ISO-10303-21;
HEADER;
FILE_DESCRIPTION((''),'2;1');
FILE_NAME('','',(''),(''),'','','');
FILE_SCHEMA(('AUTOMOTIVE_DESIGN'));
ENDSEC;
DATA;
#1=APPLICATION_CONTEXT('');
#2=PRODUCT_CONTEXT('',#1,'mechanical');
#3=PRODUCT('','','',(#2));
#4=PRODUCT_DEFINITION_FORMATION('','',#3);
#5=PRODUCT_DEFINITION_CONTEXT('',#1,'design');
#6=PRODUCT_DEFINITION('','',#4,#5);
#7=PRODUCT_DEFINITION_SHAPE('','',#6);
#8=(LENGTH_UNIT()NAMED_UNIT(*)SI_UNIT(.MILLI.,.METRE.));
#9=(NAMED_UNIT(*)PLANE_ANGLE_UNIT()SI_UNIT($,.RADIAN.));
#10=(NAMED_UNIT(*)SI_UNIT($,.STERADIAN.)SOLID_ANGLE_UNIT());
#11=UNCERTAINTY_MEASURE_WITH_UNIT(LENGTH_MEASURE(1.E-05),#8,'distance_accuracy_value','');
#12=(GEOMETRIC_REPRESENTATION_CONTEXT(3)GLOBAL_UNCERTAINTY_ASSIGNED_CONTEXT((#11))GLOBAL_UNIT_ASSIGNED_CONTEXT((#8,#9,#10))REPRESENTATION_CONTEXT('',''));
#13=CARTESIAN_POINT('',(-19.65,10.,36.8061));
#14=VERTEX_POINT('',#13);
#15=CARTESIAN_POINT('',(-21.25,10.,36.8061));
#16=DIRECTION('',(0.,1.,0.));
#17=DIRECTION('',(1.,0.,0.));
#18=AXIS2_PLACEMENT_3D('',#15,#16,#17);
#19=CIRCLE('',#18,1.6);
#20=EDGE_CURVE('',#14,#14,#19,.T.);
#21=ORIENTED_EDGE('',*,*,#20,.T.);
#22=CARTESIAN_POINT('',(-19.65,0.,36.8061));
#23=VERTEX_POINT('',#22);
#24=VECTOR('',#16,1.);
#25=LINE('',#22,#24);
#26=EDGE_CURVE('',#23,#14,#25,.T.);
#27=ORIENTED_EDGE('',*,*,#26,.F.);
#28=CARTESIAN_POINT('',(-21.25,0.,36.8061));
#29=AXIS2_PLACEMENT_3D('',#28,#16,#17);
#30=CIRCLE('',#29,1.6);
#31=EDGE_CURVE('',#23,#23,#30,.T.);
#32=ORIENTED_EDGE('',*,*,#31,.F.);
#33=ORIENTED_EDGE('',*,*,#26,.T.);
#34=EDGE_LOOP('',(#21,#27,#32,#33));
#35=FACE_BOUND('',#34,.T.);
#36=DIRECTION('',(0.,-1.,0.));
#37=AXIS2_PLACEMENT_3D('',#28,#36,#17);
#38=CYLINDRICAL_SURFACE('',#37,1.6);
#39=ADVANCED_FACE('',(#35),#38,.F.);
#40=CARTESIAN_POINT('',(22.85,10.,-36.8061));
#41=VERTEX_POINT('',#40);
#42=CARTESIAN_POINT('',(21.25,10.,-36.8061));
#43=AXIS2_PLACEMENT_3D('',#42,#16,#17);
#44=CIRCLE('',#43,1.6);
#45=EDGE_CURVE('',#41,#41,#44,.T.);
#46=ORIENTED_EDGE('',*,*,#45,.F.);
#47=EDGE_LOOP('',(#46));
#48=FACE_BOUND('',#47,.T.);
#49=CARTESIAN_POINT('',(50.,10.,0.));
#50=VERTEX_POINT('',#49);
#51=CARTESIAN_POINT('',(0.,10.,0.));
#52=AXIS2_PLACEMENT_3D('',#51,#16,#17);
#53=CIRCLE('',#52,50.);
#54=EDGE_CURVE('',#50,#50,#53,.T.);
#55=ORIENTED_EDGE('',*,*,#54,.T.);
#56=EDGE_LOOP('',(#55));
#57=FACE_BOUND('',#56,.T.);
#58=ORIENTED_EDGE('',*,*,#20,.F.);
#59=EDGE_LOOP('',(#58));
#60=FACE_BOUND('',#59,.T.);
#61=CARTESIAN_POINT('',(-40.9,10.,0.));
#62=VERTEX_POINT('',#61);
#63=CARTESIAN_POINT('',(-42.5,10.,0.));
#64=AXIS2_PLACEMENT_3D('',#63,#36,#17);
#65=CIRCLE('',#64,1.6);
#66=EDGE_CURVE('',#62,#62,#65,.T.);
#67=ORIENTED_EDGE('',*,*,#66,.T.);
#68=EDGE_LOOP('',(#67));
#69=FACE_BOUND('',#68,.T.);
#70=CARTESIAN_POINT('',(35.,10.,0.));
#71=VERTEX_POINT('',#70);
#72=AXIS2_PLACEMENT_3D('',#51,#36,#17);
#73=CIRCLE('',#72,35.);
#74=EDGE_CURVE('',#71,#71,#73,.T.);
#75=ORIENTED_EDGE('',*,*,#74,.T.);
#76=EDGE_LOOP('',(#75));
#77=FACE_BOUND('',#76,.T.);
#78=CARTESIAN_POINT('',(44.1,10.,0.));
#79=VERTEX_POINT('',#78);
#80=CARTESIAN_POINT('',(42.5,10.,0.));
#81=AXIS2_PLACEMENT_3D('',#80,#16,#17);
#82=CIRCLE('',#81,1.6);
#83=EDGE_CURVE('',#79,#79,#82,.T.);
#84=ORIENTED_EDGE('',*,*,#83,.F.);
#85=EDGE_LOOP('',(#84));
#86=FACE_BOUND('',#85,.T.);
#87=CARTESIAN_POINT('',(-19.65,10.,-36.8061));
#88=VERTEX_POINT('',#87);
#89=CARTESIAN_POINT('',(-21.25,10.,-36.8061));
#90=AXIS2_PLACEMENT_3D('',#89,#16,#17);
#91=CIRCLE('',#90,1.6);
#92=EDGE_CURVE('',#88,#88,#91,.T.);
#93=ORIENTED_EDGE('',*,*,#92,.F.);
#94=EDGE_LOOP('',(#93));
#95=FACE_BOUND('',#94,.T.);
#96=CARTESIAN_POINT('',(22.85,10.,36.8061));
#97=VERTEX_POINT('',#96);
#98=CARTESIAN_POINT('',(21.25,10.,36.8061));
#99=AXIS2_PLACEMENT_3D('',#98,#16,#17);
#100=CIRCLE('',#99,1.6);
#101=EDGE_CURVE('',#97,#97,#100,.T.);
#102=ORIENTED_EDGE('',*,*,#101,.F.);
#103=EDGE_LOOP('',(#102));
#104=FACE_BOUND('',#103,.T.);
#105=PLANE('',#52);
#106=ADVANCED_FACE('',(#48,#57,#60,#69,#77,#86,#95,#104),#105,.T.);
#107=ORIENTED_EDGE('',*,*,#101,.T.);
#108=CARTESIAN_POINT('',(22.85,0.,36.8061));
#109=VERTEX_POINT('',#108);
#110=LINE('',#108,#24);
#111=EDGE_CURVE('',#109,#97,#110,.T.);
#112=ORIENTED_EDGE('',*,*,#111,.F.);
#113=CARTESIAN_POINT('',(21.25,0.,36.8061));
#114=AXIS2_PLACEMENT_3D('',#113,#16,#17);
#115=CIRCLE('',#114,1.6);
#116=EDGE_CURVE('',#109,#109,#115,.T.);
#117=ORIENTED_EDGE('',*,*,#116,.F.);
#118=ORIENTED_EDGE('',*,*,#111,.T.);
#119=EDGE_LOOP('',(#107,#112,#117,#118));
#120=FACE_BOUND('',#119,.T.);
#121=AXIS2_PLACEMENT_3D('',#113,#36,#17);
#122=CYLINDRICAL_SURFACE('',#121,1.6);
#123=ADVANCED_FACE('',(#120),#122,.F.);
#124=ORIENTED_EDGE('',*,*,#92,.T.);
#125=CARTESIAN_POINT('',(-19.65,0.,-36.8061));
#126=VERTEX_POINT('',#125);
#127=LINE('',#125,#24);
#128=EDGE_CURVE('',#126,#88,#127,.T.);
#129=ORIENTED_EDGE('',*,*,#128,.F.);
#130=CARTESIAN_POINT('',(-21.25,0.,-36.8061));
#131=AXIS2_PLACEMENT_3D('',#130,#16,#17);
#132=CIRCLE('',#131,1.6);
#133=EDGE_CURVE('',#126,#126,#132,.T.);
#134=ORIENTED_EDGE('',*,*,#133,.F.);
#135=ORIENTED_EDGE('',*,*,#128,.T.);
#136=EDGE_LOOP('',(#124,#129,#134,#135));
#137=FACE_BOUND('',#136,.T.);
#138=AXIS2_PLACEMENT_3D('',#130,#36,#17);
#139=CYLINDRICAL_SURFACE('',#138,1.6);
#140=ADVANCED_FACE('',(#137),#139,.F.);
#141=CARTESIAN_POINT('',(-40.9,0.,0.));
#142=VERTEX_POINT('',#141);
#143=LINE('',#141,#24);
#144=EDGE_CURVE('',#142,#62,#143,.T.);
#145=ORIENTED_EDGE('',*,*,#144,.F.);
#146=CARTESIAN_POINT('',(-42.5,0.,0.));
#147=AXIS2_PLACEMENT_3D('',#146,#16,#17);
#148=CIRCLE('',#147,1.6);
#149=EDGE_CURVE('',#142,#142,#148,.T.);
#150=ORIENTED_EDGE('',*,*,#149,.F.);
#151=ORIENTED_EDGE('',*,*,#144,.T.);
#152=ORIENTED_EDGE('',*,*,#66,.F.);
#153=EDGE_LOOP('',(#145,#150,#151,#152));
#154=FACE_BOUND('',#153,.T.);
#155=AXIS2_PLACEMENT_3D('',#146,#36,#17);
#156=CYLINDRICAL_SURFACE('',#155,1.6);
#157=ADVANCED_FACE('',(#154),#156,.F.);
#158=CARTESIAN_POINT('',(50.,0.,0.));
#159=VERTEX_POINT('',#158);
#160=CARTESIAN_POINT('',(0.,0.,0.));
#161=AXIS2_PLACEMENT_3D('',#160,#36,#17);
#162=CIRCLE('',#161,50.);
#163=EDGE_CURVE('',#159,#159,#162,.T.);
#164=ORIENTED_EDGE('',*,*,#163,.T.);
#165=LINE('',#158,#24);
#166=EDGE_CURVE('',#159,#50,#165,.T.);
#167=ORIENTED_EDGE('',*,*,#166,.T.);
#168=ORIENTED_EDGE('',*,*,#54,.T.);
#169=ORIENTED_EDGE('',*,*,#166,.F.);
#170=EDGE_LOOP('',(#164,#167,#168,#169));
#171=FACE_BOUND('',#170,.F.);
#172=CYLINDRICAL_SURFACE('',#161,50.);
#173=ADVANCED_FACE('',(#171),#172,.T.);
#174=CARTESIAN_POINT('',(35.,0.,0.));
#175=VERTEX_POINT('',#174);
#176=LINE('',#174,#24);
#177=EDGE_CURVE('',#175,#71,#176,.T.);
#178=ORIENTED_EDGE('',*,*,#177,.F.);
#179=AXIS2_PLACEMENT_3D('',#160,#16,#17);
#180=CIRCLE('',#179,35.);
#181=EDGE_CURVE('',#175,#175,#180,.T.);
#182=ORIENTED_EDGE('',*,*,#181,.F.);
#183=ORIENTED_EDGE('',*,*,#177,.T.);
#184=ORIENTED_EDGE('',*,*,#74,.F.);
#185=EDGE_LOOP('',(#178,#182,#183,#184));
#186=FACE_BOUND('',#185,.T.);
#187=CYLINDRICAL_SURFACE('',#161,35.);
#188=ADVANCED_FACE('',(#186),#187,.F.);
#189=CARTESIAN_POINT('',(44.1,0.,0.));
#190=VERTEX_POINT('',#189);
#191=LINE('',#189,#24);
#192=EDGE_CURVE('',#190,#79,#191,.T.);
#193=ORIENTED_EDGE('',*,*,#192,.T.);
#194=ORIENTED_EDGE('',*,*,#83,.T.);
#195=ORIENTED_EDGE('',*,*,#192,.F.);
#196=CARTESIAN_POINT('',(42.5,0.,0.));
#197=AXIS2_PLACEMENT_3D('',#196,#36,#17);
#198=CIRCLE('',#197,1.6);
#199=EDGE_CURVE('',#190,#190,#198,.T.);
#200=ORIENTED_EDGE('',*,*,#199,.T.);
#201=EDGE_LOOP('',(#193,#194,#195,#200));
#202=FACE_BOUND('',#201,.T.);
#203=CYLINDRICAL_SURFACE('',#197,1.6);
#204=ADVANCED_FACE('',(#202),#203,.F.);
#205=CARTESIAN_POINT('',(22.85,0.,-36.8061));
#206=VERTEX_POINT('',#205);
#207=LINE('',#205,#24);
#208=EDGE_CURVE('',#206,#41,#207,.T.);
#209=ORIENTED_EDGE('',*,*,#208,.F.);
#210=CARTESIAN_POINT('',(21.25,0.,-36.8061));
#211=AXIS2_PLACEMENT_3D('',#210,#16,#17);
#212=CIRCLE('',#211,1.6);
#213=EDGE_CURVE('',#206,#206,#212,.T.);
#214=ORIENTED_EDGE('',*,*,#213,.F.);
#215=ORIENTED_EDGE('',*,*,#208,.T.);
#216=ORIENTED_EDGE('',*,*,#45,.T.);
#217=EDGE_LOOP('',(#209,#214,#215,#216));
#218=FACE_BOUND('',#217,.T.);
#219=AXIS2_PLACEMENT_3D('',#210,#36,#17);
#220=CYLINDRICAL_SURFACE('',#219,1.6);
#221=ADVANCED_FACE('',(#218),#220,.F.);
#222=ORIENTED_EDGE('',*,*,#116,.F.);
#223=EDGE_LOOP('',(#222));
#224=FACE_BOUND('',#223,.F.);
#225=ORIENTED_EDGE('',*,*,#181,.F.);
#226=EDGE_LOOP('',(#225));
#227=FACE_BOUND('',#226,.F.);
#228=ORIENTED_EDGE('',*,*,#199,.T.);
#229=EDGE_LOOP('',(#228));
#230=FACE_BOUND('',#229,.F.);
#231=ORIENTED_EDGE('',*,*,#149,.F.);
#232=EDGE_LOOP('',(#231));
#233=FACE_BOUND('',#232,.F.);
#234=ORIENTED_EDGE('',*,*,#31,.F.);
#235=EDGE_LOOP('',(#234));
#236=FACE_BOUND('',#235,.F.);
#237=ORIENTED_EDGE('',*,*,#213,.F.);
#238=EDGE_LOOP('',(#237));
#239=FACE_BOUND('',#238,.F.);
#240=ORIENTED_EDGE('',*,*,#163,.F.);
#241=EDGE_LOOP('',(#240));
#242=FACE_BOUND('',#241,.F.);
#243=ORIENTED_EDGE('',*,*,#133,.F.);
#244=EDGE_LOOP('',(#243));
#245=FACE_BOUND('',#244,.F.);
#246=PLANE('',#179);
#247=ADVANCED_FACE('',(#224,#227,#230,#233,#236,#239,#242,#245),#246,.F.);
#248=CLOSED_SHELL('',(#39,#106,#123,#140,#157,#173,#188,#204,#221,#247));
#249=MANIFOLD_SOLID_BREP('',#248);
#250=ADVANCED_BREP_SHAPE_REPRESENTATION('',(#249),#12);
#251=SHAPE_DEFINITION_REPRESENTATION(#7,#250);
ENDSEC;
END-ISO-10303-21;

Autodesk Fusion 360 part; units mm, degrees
sketch "Esquisse1" plane through (0, 0, 0) normal (0, 1, 0) x (1, 0, 0)
  circle A0 centre (0, 0) radius 35
  circle A1 centre (0, 0) radius 50
  line L0 (42.5, 0) -> (21.25, 36.8061) construction
  line L1 (21.25, 36.8061) -> (-21.25, 36.8061) construction
  line L2 (-21.25, 36.8061) -> (-42.5, 0) construction
  line L3 (-42.5, 0) -> (-21.25, -36.8061) construction
  line L4 (-21.25, -36.8061) -> (21.25, -36.8061) construction
  line L5 (21.25, -36.8061) -> (42.5, 0) construction
  circle A2 centre (0, 0) radius 42.5 construction
  line L6 (50, 0) -> (-50, 0)
  line L7 (0, -50) -> (0, 50)
  circle A3 centre (21.25, -36.8061) radius 1.6
  circle A4 centre (-21.25, -36.8061) radius 1.6
  circle A5 centre (-42.5, 0) radius 1.6
  circle A6 centre (-21.25, 36.8061) radius 1.6
  circle A7 centre (21.25, 36.8061) radius 1.6
  circle A8 centre (42.5, 0) radius 1.6
  dimension "d1" = 70
  dimension "d2" = 15
  dimension "d5" = 7.5
  dimension "d6" = 3.2
extrude "Extrusion1" add sketch "Esquisse1" along normal blind 10 contours A0 A1 L6 L7 A8 | A0 A1 L6 L7 A8 | A0 A1 L6 L7 A5 | A0 A1 L6 L7 A5
